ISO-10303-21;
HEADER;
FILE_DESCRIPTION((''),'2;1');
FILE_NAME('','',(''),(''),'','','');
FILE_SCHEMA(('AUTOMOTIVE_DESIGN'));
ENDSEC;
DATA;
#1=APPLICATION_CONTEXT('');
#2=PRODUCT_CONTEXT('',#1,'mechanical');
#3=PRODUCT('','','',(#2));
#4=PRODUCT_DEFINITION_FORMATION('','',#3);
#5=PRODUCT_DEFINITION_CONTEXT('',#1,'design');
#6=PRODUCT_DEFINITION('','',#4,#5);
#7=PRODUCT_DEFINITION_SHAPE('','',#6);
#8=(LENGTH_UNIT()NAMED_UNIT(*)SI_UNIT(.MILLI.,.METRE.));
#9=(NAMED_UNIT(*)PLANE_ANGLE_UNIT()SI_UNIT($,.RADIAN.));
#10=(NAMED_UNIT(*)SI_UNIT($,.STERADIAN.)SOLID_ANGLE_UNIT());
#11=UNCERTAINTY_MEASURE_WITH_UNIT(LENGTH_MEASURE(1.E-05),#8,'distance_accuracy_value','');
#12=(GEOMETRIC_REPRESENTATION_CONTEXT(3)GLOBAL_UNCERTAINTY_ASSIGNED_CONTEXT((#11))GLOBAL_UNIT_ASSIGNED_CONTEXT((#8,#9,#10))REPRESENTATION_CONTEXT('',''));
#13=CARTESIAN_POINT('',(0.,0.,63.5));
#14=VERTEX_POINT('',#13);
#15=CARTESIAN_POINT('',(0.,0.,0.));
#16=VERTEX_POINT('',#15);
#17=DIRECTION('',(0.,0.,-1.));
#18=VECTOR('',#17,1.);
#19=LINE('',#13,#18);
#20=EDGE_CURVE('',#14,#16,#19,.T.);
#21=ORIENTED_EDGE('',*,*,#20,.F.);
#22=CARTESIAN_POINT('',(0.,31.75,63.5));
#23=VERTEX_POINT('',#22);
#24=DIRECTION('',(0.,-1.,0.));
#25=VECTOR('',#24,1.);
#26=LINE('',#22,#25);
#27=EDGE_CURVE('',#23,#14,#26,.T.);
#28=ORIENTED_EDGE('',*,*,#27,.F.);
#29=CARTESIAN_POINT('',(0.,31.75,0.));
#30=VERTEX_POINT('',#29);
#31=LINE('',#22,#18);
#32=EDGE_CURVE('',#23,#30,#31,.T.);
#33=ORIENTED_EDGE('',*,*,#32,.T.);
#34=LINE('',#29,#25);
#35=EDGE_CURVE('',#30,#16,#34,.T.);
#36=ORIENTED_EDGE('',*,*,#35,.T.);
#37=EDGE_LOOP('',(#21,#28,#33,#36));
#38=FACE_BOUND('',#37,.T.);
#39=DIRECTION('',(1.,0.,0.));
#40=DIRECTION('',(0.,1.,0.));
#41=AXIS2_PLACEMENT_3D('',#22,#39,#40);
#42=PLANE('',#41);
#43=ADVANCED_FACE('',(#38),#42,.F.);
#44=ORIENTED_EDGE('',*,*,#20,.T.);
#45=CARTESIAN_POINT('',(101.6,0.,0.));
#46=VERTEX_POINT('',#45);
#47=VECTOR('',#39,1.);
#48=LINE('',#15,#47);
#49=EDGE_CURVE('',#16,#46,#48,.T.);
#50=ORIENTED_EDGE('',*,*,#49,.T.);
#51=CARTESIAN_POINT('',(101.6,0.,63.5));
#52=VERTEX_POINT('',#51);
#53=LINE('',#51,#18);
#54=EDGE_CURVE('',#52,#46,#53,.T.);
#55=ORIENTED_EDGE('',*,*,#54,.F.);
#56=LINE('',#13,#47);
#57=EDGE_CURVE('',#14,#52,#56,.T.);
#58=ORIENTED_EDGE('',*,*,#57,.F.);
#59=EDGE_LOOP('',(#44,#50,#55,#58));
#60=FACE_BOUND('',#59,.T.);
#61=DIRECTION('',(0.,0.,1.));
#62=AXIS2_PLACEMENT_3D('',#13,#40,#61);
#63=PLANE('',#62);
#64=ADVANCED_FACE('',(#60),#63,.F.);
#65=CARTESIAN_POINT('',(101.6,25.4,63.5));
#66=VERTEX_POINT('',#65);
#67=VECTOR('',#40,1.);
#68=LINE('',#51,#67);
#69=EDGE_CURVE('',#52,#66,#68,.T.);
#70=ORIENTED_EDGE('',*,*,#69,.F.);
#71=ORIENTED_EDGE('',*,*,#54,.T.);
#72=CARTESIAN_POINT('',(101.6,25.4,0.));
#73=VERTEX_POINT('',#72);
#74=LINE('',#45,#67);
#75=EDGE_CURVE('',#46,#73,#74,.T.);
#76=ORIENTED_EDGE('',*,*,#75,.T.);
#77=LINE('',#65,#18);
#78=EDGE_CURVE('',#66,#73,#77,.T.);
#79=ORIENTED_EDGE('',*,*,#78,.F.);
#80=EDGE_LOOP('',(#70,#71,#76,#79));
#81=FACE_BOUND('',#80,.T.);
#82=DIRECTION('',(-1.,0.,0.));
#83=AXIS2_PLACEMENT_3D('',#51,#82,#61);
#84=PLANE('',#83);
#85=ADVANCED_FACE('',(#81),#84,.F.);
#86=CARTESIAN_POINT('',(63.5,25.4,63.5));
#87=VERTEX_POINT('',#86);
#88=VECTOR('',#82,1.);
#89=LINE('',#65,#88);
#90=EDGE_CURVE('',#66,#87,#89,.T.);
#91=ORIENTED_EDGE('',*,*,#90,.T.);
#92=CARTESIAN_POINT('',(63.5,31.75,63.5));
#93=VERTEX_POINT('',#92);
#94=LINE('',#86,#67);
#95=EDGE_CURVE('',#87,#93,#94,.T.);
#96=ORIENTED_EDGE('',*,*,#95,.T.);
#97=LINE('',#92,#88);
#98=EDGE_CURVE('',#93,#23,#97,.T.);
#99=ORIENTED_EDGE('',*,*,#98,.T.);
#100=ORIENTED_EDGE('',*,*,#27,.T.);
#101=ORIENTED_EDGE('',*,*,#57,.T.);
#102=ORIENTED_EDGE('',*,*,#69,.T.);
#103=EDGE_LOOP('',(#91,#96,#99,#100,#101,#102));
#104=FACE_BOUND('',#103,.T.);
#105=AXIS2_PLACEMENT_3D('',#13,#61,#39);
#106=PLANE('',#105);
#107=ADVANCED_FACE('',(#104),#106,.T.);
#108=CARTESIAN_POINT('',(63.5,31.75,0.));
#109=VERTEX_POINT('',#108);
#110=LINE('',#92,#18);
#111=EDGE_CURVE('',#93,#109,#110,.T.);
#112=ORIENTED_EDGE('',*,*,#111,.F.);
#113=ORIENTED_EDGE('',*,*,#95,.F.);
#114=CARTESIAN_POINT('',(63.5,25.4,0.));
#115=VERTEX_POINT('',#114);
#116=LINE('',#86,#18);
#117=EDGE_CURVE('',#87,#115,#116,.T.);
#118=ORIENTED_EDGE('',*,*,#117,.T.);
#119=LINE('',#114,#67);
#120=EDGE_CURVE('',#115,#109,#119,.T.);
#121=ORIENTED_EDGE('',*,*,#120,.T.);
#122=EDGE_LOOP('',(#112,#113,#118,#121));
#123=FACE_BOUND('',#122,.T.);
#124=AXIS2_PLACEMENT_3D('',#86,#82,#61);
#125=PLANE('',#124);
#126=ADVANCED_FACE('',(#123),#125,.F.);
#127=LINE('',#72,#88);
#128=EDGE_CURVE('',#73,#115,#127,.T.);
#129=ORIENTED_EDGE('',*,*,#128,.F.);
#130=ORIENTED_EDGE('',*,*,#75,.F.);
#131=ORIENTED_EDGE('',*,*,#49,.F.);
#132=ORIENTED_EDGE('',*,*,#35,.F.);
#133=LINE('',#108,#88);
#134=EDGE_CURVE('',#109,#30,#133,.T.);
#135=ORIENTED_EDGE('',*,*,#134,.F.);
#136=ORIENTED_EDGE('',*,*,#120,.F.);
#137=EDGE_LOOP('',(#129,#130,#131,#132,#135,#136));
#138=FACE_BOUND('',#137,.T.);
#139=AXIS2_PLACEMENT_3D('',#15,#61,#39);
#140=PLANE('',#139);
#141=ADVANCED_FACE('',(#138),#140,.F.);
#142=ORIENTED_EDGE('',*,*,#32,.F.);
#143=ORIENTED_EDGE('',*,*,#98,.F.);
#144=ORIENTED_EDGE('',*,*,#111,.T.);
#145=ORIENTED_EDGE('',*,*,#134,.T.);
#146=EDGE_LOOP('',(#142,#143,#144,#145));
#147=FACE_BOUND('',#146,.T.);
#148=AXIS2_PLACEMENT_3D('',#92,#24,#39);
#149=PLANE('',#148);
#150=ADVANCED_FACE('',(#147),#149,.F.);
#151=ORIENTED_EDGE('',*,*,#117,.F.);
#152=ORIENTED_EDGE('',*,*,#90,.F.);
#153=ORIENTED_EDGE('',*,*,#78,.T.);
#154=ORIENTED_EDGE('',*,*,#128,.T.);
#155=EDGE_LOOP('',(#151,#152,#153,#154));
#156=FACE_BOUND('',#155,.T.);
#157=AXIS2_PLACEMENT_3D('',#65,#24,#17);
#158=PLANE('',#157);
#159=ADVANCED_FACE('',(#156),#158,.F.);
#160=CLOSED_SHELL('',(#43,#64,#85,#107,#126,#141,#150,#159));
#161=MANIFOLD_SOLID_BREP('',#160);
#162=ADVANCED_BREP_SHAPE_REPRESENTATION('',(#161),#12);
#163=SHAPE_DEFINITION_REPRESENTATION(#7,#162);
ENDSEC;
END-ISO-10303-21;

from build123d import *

# Parameters (mm, degrees)
BOSS_EXTRUDE1_DEPTH = 63.5


with BuildPart() as part:
    # Sketch1 → Boss-Extrude1 (new body)
    with BuildSketch(Plane.XY):
        Polygon((0, 0), (101.6, 0), (101.6, 25.4), (63.5, 25.4), (63.5, 31.75), (0, 31.75), align=None)
    extrude(amount=BOSS_EXTRUDE1_DEPTH)


solid = part.part
